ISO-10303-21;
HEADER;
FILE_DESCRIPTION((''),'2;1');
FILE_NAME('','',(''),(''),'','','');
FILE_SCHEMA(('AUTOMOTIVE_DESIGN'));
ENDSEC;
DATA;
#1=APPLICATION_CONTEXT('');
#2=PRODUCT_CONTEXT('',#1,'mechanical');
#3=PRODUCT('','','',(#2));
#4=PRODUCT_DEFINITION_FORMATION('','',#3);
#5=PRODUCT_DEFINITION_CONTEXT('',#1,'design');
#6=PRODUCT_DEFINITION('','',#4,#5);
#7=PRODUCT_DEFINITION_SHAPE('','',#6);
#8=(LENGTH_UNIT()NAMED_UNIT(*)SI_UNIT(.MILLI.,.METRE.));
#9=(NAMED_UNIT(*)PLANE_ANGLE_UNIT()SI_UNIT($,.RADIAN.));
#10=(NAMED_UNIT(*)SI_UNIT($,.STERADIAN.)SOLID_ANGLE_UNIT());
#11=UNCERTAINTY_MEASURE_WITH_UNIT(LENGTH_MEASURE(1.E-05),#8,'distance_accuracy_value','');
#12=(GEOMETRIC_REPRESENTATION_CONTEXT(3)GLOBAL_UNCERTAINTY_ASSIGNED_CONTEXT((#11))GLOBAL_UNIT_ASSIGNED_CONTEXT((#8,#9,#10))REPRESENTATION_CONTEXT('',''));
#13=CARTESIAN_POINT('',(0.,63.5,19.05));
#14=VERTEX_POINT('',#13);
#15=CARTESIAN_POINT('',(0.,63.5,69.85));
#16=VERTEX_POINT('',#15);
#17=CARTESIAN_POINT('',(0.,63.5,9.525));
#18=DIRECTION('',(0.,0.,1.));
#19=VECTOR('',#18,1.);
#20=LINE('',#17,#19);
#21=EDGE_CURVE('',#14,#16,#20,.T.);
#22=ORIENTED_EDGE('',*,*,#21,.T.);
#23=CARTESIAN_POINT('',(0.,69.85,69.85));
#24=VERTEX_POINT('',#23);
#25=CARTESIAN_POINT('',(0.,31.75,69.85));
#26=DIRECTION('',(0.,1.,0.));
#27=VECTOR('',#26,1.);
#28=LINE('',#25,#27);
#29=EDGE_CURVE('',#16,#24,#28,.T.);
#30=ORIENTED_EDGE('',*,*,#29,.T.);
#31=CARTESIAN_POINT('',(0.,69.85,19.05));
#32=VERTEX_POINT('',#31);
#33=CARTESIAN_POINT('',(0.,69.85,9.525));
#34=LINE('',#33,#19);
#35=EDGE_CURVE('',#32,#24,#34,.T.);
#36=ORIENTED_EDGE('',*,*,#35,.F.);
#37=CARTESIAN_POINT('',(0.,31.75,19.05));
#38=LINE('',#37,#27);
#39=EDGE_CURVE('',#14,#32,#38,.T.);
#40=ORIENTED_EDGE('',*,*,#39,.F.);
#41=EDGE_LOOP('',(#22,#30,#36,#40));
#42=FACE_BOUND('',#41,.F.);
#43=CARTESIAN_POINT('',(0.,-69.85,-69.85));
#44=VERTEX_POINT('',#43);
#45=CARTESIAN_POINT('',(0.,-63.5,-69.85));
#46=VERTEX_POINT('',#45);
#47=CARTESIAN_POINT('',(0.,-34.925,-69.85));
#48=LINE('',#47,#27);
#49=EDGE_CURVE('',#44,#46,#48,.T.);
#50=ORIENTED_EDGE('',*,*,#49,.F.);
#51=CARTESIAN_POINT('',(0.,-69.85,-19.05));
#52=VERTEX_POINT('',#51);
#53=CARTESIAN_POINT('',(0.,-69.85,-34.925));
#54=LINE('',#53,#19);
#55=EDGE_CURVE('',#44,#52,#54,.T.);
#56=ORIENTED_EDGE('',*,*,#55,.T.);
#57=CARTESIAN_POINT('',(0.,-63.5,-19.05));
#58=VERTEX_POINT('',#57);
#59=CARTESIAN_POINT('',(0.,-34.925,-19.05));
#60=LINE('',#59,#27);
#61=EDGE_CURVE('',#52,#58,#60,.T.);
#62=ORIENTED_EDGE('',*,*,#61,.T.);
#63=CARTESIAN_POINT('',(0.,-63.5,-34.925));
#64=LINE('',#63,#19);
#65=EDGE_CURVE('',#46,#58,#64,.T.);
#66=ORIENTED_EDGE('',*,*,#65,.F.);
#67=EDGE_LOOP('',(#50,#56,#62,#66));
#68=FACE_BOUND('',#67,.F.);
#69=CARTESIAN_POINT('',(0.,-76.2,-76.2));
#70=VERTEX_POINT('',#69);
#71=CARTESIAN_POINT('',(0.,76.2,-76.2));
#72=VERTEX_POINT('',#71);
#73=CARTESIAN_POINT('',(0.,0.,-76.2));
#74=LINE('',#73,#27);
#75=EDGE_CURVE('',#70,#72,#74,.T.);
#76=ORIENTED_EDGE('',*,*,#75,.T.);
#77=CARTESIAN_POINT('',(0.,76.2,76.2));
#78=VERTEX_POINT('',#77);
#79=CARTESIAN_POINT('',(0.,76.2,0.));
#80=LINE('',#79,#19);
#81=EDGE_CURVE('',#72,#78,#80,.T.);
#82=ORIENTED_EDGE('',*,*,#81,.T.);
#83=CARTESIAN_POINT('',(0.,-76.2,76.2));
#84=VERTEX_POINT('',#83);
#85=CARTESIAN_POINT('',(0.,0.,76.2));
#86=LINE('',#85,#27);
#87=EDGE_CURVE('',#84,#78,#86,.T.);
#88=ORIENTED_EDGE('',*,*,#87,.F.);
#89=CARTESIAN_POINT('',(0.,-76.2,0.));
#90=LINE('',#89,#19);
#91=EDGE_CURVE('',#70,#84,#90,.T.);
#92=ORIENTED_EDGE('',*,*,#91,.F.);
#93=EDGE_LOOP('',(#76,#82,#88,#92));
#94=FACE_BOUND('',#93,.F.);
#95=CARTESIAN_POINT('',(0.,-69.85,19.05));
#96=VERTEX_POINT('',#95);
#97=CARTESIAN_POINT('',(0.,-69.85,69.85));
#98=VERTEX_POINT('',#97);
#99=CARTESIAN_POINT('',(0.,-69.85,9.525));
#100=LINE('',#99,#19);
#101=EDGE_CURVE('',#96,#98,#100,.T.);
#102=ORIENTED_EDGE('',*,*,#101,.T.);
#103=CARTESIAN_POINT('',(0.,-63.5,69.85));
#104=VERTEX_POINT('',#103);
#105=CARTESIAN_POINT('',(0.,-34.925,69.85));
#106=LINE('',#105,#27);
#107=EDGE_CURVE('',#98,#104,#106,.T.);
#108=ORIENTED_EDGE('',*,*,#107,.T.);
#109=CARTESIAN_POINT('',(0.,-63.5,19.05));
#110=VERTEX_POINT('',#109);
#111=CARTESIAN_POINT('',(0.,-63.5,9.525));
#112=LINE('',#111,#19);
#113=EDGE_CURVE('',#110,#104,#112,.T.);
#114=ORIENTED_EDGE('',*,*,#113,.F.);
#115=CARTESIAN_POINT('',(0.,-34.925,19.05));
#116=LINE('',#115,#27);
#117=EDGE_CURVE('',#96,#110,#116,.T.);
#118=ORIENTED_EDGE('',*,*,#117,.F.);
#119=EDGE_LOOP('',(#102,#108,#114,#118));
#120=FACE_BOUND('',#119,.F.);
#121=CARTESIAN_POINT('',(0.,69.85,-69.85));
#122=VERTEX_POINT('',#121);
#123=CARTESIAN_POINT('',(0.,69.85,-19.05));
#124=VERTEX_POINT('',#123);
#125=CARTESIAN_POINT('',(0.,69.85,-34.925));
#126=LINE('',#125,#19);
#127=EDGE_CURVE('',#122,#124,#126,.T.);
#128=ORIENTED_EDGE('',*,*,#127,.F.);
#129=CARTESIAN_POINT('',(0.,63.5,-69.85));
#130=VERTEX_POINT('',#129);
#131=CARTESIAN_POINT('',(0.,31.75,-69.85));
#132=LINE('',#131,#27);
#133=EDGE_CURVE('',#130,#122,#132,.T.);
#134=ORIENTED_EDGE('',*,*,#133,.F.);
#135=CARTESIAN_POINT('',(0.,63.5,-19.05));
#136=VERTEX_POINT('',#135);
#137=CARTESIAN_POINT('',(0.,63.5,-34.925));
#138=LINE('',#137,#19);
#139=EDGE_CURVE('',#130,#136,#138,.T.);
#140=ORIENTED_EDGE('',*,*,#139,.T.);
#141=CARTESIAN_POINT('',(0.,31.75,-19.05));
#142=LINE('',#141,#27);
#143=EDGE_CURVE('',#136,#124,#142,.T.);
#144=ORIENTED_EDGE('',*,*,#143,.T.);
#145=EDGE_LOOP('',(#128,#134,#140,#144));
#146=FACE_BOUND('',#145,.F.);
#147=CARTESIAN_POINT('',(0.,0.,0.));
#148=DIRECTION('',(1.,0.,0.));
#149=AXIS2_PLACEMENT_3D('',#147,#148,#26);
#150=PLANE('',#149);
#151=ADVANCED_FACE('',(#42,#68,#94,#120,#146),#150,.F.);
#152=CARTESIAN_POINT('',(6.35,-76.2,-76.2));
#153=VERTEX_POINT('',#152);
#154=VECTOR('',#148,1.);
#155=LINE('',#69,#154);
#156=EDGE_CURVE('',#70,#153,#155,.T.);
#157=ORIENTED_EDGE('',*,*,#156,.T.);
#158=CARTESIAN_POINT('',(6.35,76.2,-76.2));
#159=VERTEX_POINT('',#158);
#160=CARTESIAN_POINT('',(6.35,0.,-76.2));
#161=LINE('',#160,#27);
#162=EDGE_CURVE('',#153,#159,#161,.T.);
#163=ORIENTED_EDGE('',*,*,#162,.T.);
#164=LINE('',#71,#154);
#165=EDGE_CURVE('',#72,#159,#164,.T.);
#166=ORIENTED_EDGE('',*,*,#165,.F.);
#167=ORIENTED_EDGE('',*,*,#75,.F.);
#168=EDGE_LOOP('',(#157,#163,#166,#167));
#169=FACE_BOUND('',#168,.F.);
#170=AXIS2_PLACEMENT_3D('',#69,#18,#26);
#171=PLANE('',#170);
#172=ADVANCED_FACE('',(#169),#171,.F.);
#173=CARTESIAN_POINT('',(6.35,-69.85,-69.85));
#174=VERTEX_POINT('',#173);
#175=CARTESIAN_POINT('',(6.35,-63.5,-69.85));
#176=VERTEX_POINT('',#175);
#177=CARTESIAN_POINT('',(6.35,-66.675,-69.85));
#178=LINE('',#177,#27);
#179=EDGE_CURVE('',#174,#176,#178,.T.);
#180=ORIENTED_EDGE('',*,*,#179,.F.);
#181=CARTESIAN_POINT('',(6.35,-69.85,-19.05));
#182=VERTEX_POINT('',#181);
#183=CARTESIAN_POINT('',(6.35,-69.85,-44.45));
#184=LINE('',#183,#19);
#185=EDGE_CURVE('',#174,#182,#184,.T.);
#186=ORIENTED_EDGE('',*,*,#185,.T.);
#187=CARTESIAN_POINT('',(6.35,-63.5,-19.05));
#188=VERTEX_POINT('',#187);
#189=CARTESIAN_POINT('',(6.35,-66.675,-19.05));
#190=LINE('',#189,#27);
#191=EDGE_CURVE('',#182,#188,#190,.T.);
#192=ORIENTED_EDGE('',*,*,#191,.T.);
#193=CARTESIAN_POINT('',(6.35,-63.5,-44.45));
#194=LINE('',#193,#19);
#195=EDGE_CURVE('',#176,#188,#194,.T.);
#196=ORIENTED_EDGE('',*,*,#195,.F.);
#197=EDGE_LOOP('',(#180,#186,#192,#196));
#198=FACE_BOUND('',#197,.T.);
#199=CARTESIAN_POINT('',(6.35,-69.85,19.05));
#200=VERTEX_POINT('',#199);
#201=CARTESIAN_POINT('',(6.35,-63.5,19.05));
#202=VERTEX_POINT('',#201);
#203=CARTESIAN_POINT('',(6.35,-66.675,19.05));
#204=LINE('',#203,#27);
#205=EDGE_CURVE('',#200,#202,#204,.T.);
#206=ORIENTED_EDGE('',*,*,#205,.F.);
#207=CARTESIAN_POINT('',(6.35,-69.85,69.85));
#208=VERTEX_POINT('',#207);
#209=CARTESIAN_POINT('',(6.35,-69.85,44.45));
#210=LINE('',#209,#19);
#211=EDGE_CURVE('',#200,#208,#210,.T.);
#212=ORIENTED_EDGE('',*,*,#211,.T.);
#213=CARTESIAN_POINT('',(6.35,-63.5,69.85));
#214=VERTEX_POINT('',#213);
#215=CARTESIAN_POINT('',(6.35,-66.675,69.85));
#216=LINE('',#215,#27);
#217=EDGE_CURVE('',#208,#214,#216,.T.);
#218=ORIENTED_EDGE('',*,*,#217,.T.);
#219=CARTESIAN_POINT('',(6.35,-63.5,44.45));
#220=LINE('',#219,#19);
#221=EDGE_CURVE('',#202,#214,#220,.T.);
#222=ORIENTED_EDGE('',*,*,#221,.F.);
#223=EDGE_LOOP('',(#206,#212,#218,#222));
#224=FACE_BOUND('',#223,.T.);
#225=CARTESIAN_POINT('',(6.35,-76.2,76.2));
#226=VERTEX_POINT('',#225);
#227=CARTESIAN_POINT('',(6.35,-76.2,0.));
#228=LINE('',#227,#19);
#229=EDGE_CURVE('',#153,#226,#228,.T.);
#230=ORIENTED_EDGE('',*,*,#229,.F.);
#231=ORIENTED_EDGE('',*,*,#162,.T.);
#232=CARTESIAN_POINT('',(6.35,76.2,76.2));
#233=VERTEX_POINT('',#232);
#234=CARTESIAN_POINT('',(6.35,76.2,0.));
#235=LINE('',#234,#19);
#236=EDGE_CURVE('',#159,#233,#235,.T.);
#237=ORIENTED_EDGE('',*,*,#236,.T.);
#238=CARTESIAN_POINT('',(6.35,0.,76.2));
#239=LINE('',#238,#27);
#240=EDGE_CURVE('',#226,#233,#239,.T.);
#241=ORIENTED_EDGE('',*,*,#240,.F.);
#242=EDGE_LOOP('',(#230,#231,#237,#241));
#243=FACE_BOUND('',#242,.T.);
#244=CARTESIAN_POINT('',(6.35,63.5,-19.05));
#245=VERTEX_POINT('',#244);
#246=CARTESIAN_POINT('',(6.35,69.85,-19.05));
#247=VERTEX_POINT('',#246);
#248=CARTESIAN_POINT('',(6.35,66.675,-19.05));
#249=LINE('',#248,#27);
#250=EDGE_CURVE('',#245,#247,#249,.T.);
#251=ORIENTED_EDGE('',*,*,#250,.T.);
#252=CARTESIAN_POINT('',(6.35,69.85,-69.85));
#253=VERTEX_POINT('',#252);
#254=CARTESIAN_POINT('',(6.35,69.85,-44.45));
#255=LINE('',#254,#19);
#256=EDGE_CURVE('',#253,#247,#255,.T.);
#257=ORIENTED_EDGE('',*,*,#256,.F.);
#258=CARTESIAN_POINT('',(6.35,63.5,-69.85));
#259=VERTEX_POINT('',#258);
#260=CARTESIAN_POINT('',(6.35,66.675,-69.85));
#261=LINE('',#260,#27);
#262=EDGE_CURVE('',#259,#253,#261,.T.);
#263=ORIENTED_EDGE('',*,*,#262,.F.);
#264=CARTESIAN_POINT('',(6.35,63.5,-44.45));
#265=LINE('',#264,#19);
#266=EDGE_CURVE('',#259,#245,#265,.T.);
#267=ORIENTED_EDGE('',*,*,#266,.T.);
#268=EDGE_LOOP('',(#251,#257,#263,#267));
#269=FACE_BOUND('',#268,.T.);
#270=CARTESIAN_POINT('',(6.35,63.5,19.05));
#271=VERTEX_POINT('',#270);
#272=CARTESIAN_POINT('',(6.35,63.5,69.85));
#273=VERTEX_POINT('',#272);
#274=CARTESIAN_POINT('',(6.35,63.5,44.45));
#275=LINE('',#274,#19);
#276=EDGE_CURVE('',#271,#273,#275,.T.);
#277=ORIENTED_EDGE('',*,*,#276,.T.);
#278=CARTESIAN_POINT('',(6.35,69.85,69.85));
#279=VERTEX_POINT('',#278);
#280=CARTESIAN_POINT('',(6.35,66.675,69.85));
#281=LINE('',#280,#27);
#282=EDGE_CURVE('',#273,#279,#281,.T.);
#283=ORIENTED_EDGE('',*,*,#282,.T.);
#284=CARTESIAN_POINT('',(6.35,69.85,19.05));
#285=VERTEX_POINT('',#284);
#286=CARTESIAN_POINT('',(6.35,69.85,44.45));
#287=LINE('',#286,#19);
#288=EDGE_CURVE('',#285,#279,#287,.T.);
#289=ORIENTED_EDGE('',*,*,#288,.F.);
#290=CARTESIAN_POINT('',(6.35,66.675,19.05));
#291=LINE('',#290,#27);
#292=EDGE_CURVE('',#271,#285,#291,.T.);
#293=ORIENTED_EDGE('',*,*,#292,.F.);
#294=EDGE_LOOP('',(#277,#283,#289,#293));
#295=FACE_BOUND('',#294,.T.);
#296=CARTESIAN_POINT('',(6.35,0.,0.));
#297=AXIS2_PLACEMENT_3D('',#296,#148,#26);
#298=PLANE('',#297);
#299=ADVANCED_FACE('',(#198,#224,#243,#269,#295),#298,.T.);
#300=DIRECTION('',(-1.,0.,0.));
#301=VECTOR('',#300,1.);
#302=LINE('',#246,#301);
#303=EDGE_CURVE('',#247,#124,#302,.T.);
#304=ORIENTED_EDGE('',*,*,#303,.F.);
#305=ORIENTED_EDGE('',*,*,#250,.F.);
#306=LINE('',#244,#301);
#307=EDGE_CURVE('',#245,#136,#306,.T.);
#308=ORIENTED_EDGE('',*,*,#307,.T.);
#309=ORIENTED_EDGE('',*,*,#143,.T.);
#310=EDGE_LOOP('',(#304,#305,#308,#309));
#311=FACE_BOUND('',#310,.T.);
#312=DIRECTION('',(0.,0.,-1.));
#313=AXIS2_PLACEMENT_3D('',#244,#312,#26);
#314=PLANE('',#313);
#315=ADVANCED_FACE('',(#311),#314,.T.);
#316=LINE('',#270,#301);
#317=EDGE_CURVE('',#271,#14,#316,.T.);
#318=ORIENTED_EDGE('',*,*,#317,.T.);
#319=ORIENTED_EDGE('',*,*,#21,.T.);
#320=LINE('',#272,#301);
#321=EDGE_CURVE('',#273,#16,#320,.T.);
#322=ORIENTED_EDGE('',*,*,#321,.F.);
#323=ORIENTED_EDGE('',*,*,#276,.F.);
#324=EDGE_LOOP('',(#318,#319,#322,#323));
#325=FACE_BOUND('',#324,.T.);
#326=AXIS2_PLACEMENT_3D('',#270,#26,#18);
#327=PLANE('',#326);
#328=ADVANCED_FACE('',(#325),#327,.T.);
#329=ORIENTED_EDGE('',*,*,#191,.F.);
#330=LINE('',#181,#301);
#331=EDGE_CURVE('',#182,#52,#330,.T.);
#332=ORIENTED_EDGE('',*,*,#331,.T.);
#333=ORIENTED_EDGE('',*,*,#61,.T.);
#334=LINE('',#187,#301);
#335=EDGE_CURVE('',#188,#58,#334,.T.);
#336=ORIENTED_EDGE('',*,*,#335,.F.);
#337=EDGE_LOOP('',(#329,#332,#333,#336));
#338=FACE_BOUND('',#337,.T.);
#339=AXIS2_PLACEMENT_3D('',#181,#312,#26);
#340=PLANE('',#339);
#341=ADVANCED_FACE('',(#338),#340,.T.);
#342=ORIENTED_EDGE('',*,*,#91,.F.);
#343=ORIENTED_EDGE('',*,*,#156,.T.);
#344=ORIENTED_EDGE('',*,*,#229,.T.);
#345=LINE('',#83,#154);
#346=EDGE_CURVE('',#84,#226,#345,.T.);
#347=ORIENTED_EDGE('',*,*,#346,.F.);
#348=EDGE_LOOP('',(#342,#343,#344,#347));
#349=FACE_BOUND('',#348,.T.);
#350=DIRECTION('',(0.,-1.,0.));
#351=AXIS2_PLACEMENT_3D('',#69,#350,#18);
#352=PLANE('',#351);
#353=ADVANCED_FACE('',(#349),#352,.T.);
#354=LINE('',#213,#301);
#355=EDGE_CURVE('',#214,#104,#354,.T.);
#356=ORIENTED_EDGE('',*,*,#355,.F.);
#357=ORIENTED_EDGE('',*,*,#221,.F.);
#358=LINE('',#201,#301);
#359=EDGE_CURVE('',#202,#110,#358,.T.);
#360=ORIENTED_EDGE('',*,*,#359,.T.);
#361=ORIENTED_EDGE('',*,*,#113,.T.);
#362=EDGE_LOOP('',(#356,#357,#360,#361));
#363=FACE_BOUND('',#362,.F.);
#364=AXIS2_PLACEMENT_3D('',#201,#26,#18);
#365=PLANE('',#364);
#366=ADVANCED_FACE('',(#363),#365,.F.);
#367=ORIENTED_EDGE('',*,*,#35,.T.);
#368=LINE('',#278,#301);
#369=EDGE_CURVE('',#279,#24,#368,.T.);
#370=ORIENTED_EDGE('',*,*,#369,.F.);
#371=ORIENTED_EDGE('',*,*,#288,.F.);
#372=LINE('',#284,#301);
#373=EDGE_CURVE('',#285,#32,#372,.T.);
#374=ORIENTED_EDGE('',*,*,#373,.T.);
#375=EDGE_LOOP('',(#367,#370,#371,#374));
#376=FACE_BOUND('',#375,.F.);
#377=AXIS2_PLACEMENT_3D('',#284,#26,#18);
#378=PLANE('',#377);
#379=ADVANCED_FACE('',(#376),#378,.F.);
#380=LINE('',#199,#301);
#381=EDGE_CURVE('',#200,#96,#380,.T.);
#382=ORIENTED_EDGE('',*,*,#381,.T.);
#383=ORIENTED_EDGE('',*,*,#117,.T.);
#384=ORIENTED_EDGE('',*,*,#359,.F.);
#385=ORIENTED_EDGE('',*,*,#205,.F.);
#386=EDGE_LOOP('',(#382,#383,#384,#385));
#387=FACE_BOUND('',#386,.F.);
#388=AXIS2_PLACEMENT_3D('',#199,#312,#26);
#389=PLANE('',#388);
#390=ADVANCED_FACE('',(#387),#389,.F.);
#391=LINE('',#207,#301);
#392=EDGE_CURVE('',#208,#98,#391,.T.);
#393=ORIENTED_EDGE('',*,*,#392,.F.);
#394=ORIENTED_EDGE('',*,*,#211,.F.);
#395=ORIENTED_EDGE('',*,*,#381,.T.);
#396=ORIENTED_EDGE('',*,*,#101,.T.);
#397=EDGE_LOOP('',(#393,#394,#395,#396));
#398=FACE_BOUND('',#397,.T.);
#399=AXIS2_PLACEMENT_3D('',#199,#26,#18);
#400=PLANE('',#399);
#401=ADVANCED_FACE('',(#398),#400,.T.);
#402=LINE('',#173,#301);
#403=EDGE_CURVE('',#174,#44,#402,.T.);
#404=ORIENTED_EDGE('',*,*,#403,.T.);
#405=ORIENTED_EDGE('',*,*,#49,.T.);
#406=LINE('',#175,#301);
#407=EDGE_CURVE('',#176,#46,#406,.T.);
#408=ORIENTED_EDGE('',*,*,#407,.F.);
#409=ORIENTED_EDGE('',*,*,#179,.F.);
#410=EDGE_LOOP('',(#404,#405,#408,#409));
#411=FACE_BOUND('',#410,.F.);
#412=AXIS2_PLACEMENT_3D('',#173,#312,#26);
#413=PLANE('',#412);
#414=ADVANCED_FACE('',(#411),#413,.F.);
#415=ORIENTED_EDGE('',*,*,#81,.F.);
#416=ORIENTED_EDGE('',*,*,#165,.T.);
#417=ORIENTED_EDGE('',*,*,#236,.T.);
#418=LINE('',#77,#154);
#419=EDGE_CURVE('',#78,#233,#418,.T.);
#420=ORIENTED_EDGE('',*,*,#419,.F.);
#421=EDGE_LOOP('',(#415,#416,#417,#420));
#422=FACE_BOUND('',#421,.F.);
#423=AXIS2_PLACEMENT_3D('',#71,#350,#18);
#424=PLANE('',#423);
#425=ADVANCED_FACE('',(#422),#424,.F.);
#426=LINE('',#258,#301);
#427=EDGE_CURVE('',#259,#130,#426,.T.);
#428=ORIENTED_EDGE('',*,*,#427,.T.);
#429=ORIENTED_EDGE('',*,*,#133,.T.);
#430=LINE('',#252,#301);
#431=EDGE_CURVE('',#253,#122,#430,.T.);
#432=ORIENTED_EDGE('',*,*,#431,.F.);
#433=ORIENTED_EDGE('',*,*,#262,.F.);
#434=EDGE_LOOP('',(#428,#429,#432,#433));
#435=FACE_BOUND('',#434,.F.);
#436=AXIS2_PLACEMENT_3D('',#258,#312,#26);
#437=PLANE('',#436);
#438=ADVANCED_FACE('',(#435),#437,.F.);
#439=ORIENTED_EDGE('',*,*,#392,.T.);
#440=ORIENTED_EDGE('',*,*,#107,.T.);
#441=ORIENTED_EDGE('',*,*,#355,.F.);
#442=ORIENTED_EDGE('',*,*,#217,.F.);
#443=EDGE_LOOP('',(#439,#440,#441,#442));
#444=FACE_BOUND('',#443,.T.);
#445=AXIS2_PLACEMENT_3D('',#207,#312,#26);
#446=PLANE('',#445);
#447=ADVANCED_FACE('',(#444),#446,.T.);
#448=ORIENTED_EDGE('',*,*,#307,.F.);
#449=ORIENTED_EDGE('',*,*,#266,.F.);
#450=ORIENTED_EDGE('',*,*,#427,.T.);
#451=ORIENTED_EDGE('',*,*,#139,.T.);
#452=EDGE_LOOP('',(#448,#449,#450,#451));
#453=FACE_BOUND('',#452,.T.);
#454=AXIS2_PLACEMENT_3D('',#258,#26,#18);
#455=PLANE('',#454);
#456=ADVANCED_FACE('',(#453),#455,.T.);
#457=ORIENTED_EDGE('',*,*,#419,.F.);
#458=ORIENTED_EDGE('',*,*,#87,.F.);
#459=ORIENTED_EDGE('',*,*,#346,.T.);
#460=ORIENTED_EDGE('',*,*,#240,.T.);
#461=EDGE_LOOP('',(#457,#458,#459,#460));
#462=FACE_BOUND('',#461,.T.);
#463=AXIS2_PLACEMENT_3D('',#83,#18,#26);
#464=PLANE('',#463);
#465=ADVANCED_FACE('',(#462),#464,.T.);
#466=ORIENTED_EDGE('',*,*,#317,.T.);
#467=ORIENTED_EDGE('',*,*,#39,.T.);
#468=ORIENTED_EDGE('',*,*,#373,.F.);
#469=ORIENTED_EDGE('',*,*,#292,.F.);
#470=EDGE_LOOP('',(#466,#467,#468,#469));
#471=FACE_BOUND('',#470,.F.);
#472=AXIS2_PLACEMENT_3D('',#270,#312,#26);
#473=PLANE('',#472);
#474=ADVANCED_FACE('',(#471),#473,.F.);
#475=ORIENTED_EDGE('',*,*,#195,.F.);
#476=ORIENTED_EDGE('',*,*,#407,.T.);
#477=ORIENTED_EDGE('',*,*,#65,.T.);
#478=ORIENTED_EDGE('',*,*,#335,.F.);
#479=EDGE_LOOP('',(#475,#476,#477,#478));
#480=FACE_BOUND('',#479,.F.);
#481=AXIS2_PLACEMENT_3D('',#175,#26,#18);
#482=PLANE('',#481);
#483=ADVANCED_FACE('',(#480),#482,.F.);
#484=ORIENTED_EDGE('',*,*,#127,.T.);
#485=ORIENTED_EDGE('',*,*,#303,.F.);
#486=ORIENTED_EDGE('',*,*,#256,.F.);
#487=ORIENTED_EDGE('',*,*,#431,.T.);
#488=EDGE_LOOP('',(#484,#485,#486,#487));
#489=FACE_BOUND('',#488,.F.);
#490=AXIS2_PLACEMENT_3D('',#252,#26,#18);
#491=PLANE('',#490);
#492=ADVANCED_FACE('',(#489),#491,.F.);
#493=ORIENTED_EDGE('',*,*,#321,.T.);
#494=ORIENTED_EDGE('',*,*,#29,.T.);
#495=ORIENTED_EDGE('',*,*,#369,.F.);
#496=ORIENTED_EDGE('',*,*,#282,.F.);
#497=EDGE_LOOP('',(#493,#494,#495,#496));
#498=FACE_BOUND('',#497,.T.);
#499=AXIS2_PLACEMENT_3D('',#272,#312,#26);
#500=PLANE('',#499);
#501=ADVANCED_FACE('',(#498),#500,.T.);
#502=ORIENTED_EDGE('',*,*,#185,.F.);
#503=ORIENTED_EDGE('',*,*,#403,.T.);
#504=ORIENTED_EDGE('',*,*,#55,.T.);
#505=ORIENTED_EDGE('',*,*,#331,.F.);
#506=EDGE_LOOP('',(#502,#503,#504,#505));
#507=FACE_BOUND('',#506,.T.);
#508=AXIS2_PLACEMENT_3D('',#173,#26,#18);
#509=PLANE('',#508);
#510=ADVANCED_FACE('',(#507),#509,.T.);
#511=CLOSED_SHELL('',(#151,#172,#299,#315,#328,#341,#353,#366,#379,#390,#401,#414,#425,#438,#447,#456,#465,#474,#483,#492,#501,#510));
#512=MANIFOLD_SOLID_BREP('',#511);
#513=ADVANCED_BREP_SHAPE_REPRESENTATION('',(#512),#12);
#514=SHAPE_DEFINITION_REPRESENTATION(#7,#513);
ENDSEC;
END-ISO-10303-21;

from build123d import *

# Parameters (mm, degrees)
F0_W     = 152.4
F0_H     = 152.4
F1_DEPTH = 6.35
F2_W     = 6.35
F2_H     = 50.8
F3_DEPTH = 25.4


with BuildPart() as f1:
    # F0 (on Right) → F1 (new body)
    with BuildSketch(Plane.YZ):
        Rectangle(F0_W, F0_H)
    extrude(amount=F1_DEPTH)

    # F2 (on face) → F3 (cut)
    with BuildSketch(Plane.YZ.offset(6.35)):
        with Locations((-66.675, 44.45)):
            Rectangle(F2_W, F2_H)
        with Locations((66.675, 44.45)):
            Rectangle(F2_W, F2_H)
        with Locations((-66.675, -44.45)):
            Rectangle(F2_W, F2_H)
        with Locations((66.675, -44.45)):
            Rectangle(F2_W, F2_H)
    extrude(amount=-F3_DEPTH, mode=Mode.SUBTRACT)


solid = f1.part
